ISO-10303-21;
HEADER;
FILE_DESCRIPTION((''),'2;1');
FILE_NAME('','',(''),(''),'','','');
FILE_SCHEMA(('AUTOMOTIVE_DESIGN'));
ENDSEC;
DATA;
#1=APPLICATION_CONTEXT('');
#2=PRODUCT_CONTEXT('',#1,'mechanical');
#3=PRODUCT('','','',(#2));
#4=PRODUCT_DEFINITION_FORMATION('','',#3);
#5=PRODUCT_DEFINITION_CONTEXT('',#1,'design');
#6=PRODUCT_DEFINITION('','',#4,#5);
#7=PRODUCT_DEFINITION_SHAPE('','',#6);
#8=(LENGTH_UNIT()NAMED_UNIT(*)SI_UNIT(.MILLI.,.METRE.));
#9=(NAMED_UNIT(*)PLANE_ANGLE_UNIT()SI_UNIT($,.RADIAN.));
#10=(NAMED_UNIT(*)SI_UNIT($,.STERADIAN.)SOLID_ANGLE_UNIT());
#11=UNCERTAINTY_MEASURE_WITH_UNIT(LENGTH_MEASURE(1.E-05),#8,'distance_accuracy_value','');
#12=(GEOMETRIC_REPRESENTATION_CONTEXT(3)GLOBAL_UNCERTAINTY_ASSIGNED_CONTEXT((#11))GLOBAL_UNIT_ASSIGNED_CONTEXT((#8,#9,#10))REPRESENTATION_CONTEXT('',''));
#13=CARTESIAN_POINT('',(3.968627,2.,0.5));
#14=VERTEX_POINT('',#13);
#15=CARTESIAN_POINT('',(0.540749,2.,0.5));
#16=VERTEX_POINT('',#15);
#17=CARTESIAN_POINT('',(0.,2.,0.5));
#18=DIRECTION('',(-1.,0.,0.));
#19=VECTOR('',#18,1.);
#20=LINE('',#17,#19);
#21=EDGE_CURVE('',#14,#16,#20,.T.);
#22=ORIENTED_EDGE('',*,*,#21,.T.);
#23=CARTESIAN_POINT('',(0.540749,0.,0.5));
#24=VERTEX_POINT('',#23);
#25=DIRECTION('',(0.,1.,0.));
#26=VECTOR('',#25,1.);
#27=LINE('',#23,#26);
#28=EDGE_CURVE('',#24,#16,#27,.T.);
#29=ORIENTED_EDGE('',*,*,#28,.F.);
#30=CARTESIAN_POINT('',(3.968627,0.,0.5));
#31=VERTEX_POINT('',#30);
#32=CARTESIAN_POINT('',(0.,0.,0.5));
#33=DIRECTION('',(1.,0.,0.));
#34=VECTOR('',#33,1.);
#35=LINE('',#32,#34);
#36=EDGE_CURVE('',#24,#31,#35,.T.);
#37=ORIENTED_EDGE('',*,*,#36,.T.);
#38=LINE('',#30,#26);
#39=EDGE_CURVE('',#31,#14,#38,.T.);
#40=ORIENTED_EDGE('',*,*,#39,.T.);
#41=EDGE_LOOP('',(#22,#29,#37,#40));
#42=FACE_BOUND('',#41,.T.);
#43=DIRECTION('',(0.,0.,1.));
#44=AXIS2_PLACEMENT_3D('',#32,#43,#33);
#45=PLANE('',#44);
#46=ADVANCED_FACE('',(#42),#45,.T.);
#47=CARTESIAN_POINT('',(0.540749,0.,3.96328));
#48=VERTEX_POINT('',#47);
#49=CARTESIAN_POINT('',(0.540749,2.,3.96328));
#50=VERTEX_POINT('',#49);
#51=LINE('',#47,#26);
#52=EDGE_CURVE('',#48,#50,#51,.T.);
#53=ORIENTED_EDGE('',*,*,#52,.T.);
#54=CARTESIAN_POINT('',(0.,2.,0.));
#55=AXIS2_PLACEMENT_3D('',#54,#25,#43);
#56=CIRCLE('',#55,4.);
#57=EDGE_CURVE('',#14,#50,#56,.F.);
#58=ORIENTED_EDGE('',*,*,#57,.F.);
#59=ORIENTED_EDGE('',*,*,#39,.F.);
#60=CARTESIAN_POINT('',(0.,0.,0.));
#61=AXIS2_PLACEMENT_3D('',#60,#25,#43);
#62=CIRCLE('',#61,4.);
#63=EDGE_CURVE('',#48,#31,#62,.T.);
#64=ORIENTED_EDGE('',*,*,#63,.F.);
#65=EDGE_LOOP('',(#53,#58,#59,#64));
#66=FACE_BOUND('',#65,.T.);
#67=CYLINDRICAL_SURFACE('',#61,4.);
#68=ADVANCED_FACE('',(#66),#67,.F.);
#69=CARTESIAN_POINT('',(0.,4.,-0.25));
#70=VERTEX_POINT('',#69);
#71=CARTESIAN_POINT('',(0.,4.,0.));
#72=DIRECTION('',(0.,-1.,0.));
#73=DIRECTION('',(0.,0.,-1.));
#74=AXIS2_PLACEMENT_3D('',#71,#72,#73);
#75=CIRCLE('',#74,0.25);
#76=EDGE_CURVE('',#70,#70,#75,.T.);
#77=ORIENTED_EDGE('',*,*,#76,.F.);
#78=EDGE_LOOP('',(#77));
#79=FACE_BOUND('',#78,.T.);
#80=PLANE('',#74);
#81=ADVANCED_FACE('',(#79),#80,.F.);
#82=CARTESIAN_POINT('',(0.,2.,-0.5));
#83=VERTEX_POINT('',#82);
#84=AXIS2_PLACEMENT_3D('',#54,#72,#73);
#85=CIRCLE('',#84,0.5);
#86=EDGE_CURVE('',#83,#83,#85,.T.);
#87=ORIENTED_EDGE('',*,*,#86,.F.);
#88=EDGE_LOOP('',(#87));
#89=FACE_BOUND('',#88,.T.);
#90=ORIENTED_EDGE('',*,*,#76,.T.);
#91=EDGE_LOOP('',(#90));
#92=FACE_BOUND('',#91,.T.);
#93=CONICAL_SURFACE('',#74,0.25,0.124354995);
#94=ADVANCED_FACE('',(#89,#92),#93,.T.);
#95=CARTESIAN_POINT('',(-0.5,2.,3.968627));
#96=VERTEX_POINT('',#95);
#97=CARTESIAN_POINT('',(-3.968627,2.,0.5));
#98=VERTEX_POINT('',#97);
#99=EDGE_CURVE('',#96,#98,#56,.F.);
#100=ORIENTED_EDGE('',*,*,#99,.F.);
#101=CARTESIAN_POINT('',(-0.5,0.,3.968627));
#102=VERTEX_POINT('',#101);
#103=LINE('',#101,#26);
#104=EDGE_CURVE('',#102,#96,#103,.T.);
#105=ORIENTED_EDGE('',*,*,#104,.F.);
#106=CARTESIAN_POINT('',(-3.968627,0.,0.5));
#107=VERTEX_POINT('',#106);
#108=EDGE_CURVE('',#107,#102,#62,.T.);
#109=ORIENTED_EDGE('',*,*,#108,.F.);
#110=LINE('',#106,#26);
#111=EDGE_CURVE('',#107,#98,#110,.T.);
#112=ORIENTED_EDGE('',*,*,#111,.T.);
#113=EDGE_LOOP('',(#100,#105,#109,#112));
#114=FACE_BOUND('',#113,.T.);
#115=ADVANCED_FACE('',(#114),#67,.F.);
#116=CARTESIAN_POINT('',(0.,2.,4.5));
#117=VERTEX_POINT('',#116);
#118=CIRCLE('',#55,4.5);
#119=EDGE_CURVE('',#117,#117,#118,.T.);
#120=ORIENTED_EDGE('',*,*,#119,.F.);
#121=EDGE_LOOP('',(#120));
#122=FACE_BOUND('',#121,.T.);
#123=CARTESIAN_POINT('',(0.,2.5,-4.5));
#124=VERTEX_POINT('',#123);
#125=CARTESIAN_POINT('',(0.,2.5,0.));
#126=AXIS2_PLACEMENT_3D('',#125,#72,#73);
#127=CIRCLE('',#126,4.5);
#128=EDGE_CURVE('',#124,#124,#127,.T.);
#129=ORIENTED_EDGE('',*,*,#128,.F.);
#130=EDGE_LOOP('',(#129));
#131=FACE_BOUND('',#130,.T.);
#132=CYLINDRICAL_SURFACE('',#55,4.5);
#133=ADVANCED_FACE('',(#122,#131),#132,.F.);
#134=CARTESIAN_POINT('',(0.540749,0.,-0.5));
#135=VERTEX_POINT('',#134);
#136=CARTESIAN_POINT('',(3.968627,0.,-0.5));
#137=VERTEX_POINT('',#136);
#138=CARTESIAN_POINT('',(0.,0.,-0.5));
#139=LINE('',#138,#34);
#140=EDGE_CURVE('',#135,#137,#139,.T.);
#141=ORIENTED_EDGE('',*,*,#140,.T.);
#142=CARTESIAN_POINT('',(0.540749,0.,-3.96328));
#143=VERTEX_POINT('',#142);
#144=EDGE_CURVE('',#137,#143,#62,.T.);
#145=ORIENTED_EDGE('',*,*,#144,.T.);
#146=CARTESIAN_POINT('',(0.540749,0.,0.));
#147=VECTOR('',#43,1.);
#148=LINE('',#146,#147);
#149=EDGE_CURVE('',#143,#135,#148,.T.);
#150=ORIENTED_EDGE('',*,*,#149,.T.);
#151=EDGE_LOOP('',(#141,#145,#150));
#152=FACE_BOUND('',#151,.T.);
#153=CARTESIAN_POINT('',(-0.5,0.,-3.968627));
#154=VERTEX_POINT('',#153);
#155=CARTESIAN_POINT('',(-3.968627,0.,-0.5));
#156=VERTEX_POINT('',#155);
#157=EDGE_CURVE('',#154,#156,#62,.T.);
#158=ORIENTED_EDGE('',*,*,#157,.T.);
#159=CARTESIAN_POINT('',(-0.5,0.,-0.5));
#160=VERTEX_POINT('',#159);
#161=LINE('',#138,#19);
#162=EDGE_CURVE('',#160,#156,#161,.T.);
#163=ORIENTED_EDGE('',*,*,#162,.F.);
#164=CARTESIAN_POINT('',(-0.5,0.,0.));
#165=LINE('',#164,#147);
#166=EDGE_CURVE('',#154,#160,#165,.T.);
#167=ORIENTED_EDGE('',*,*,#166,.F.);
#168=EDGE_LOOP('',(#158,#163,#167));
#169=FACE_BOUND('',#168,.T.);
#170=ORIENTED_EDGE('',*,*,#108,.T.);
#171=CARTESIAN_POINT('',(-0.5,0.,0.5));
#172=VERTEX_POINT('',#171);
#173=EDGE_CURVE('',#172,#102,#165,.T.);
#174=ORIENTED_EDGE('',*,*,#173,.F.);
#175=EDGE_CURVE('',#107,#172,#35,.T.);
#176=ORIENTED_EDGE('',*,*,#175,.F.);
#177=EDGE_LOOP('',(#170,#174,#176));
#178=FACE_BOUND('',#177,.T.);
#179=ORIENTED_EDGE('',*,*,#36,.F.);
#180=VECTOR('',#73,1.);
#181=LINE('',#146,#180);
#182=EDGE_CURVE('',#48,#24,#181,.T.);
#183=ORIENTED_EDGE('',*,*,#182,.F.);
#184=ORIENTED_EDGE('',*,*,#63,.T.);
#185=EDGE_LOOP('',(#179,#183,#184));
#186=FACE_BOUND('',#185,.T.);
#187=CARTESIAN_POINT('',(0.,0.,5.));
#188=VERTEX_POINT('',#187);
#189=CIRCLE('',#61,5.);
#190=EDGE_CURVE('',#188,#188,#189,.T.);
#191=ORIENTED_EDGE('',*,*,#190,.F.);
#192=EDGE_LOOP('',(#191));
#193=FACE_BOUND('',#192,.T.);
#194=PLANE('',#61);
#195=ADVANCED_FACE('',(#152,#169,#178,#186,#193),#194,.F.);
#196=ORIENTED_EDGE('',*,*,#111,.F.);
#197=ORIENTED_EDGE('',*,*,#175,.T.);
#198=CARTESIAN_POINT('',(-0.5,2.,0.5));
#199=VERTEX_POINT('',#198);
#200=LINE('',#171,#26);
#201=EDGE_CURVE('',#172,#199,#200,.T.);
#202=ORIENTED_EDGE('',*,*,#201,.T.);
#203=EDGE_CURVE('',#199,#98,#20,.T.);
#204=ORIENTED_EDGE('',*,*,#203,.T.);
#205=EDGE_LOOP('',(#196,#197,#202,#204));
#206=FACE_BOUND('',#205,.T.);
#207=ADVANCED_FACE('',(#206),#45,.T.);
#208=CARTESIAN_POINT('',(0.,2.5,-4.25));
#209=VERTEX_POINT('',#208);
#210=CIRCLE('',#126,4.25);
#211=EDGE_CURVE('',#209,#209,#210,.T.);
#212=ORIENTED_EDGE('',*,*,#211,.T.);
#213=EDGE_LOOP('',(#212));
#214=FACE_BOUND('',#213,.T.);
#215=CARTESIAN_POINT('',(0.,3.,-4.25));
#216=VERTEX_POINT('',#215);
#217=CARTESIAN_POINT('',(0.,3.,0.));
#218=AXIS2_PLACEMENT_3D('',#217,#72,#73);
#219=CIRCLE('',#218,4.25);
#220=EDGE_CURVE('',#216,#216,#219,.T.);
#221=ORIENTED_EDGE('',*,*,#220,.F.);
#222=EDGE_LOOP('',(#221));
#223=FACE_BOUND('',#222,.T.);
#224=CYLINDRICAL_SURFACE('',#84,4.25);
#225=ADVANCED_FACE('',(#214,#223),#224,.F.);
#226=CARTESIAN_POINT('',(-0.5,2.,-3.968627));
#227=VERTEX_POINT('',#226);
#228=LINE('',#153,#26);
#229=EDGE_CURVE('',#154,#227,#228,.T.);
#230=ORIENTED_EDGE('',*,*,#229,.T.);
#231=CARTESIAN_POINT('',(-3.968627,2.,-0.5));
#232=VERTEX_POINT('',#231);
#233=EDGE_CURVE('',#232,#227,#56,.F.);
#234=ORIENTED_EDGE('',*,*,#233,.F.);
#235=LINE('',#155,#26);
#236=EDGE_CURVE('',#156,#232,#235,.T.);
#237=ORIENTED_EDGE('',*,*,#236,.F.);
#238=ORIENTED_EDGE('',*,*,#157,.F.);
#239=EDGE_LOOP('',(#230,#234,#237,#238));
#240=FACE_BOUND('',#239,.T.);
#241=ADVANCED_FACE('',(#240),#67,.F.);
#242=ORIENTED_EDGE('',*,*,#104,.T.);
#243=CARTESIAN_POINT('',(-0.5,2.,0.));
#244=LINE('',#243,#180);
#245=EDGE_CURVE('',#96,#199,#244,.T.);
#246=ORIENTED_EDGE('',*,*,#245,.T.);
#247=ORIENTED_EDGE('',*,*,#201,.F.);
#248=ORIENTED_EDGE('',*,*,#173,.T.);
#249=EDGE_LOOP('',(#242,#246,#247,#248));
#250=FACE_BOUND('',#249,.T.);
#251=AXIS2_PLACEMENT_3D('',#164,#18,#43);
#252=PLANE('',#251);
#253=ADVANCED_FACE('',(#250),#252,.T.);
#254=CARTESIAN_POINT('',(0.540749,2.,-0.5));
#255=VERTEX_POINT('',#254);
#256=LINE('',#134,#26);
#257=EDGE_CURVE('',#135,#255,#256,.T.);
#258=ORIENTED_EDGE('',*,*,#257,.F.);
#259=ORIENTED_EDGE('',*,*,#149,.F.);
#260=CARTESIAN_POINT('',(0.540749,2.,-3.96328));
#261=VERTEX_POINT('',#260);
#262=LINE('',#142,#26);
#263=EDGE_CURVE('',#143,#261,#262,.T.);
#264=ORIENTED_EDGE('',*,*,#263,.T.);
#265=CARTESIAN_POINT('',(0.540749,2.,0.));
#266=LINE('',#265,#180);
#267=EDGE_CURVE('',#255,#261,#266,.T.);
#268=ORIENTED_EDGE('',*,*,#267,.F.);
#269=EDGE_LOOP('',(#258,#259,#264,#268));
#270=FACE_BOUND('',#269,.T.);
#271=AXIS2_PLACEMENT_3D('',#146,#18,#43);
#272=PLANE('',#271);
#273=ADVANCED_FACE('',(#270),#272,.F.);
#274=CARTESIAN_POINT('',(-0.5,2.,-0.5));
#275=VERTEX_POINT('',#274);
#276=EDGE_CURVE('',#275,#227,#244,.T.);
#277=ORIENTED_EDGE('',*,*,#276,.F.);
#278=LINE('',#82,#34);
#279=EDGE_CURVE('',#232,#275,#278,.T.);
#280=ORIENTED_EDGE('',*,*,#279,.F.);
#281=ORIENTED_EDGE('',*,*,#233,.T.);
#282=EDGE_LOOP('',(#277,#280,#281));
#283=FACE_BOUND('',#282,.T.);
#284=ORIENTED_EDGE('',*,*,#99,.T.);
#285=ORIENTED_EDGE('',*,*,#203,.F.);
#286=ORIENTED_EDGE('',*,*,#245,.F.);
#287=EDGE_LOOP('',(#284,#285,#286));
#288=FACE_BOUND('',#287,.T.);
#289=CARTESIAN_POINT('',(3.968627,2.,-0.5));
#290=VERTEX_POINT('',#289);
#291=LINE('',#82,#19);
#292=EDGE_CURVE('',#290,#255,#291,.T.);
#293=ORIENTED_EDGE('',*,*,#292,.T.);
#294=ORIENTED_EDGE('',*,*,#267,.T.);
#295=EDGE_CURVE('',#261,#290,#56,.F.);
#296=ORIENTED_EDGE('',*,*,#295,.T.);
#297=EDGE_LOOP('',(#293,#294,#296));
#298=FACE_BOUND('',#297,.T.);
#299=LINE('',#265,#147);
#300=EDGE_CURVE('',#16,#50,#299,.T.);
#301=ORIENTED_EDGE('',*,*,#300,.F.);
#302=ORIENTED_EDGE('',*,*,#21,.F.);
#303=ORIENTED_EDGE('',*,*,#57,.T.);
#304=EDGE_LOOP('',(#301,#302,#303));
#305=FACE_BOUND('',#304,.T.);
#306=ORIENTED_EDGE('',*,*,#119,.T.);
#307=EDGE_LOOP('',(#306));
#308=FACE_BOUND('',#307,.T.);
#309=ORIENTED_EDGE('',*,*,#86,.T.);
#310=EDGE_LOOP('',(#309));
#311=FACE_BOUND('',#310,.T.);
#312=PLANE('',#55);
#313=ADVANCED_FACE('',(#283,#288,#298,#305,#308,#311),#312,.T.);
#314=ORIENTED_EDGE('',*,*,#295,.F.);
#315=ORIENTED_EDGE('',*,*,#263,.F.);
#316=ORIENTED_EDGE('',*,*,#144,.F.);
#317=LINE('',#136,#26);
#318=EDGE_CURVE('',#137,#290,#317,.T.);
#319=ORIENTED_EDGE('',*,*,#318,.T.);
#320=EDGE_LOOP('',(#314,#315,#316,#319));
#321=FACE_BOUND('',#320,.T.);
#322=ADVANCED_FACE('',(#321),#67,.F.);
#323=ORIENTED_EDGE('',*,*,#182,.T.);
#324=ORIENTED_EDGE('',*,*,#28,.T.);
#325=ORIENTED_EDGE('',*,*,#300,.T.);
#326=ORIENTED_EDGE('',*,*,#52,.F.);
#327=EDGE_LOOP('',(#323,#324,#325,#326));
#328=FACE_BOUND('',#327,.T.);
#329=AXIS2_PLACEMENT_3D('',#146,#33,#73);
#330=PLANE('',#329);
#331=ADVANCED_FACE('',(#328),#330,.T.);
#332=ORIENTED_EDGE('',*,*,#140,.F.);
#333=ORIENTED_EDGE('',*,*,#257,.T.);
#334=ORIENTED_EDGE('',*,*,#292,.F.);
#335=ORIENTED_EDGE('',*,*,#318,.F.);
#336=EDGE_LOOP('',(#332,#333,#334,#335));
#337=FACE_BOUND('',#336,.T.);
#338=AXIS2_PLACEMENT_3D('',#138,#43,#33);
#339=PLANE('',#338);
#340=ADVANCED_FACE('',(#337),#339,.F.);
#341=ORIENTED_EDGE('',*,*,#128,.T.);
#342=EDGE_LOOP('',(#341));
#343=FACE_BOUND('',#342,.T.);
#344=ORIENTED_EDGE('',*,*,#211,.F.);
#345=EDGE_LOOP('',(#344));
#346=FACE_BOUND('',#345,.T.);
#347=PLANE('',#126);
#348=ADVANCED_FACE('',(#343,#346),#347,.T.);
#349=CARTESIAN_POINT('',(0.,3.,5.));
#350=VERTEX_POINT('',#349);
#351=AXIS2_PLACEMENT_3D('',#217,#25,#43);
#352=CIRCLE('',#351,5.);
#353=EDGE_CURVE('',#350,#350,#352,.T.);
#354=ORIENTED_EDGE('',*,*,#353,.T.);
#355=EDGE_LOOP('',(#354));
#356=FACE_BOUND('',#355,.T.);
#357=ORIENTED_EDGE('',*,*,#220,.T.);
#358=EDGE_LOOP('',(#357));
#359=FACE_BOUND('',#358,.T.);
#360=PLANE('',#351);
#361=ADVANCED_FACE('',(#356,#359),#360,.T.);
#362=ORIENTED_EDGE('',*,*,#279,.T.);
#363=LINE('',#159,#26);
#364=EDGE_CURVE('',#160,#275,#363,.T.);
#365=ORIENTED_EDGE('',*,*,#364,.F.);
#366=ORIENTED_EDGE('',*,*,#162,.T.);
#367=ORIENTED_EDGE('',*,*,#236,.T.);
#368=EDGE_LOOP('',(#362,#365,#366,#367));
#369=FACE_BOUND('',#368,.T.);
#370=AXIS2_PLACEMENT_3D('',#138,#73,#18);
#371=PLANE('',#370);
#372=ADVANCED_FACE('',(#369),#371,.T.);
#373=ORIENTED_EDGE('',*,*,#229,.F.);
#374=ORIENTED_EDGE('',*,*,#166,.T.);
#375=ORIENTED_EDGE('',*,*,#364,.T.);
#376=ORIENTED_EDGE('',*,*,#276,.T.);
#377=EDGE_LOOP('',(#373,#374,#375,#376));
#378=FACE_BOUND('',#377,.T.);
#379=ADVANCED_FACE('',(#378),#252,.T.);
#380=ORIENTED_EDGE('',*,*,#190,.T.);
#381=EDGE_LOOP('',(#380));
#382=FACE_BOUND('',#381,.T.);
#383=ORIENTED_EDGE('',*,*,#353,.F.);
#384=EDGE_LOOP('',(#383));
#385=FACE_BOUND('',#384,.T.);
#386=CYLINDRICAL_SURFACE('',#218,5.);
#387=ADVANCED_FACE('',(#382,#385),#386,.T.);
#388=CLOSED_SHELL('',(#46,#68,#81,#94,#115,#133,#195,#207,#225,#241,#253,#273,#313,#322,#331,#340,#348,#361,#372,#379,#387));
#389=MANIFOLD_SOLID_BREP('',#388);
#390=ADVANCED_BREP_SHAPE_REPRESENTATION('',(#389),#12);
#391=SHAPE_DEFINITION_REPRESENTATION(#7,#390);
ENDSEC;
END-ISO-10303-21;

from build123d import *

# Parameters (mm, degrees)
SKETCH1_R           = 5
BOSS_EXTRUDE1_DEPTH = 3
CUT_EXTRUDE1_DEPTH  = 3
SKETCH3_R           = 4.5
CUT_EXTRUDE2_DEPTH  = 1
SKETCH27_W          = 0.25
SKETCH27_H          = 0.5


with BuildPart() as part:
    # Sketch1 → Boss-Extrude1 (new body)
    with BuildSketch(Plane(origin=(0, 0, 0), x_dir=(1, 0, 0), z_dir=(0, 1, 0))):
        with Locations(Location((0, 0, 0), (0, 0, 270))):
            Circle(SKETCH1_R)
    extrude(amount=BOSS_EXTRUDE1_DEPTH)

    # Sketch2 → Cut-Extrude1 (cut)
    with BuildSketch(Plane(origin=(0, 3, 0), x_dir=(1, 0, 0), z_dir=(0, 1, 0))):
        with BuildLine():
            ThreePointArc((3.968626967, 0.5), (2.842920112, 2.813859491), (0.540748653, 3.96328032))
            Line((0.540748653, 3.96328032), (0.540748653, 0.5))
            Line((0.540748653, 0.5), (3.968626967, 0.5))
        make_face()
        with BuildLine():
            Line((-0.5, 3.968626967), (-0.5, 0.5))
            Line((-0.5, 0.5), (-3.968626967, 0.5))
            ThreePointArc((-3.968626967, 0.5), (-2.828427125, 2.828427125), (-0.5, 3.968626967))
        make_face()
        with BuildLine():
            Line((-3.968626967, -0.5), (-0.5, -0.5))
            Line((-0.5, -0.5), (-0.5, -3.968626967))
            ThreePointArc((-0.5, -3.968626967), (-2.828427125, -2.828427125), (-3.968626967, -0.5))
        make_face()
        with BuildLine():
            Line((0.540748653, -3.96328032), (0.540748653, -0.5))
            Line((0.540748653, -0.5), (3.968626967, -0.5))
            ThreePointArc((3.968626967, -0.5), (2.842920112, -2.813859491), (0.540748653, -3.96328032))
        make_face()
    extrude(amount=-CUT_EXTRUDE1_DEPTH, mode=Mode.SUBTRACT)

    # Sketch3 → Cut-Extrude2 (cut)
    with BuildSketch(Plane(origin=(0, 3, 0), x_dir=(1, 0, 0), z_dir=(0, 1, 0))):
        with Locations(Location((0, 0, 0), (0, 0, 270))):
            Circle(SKETCH3_R)
    extrude(amount=-CUT_EXTRUDE2_DEPTH, mode=Mode.SUBTRACT)

    # Sketch22 → Revolve1 (revolve)
    with BuildSketch(Plane.XY, mode=Mode.PRIVATE) as revolve1_sk:
        Polygon((0, 4), (-0.25, 4), (-0.5, 2), (0, 2), align=None)
    revolve(revolve1_sk.sketch.rotate(Axis((0, 0, 0), (0, 1, 0)), 270), axis=Axis((0, 0, 0), (0, 1, 0)))

    # Sketch27 → Revolve2 (revolve)
    with BuildSketch(Plane.XY, mode=Mode.PRIVATE) as revolve2_sk:
        with Locations((-4.375, 2.75)):
            Rectangle(SKETCH27_W, SKETCH27_H)
    revolve(revolve2_sk.sketch.rotate(Axis((0, 2, 0), (0, 1, 0)), 90), axis=Axis((0, 2, 0), (0, 1, 0)))


solid = part.part
